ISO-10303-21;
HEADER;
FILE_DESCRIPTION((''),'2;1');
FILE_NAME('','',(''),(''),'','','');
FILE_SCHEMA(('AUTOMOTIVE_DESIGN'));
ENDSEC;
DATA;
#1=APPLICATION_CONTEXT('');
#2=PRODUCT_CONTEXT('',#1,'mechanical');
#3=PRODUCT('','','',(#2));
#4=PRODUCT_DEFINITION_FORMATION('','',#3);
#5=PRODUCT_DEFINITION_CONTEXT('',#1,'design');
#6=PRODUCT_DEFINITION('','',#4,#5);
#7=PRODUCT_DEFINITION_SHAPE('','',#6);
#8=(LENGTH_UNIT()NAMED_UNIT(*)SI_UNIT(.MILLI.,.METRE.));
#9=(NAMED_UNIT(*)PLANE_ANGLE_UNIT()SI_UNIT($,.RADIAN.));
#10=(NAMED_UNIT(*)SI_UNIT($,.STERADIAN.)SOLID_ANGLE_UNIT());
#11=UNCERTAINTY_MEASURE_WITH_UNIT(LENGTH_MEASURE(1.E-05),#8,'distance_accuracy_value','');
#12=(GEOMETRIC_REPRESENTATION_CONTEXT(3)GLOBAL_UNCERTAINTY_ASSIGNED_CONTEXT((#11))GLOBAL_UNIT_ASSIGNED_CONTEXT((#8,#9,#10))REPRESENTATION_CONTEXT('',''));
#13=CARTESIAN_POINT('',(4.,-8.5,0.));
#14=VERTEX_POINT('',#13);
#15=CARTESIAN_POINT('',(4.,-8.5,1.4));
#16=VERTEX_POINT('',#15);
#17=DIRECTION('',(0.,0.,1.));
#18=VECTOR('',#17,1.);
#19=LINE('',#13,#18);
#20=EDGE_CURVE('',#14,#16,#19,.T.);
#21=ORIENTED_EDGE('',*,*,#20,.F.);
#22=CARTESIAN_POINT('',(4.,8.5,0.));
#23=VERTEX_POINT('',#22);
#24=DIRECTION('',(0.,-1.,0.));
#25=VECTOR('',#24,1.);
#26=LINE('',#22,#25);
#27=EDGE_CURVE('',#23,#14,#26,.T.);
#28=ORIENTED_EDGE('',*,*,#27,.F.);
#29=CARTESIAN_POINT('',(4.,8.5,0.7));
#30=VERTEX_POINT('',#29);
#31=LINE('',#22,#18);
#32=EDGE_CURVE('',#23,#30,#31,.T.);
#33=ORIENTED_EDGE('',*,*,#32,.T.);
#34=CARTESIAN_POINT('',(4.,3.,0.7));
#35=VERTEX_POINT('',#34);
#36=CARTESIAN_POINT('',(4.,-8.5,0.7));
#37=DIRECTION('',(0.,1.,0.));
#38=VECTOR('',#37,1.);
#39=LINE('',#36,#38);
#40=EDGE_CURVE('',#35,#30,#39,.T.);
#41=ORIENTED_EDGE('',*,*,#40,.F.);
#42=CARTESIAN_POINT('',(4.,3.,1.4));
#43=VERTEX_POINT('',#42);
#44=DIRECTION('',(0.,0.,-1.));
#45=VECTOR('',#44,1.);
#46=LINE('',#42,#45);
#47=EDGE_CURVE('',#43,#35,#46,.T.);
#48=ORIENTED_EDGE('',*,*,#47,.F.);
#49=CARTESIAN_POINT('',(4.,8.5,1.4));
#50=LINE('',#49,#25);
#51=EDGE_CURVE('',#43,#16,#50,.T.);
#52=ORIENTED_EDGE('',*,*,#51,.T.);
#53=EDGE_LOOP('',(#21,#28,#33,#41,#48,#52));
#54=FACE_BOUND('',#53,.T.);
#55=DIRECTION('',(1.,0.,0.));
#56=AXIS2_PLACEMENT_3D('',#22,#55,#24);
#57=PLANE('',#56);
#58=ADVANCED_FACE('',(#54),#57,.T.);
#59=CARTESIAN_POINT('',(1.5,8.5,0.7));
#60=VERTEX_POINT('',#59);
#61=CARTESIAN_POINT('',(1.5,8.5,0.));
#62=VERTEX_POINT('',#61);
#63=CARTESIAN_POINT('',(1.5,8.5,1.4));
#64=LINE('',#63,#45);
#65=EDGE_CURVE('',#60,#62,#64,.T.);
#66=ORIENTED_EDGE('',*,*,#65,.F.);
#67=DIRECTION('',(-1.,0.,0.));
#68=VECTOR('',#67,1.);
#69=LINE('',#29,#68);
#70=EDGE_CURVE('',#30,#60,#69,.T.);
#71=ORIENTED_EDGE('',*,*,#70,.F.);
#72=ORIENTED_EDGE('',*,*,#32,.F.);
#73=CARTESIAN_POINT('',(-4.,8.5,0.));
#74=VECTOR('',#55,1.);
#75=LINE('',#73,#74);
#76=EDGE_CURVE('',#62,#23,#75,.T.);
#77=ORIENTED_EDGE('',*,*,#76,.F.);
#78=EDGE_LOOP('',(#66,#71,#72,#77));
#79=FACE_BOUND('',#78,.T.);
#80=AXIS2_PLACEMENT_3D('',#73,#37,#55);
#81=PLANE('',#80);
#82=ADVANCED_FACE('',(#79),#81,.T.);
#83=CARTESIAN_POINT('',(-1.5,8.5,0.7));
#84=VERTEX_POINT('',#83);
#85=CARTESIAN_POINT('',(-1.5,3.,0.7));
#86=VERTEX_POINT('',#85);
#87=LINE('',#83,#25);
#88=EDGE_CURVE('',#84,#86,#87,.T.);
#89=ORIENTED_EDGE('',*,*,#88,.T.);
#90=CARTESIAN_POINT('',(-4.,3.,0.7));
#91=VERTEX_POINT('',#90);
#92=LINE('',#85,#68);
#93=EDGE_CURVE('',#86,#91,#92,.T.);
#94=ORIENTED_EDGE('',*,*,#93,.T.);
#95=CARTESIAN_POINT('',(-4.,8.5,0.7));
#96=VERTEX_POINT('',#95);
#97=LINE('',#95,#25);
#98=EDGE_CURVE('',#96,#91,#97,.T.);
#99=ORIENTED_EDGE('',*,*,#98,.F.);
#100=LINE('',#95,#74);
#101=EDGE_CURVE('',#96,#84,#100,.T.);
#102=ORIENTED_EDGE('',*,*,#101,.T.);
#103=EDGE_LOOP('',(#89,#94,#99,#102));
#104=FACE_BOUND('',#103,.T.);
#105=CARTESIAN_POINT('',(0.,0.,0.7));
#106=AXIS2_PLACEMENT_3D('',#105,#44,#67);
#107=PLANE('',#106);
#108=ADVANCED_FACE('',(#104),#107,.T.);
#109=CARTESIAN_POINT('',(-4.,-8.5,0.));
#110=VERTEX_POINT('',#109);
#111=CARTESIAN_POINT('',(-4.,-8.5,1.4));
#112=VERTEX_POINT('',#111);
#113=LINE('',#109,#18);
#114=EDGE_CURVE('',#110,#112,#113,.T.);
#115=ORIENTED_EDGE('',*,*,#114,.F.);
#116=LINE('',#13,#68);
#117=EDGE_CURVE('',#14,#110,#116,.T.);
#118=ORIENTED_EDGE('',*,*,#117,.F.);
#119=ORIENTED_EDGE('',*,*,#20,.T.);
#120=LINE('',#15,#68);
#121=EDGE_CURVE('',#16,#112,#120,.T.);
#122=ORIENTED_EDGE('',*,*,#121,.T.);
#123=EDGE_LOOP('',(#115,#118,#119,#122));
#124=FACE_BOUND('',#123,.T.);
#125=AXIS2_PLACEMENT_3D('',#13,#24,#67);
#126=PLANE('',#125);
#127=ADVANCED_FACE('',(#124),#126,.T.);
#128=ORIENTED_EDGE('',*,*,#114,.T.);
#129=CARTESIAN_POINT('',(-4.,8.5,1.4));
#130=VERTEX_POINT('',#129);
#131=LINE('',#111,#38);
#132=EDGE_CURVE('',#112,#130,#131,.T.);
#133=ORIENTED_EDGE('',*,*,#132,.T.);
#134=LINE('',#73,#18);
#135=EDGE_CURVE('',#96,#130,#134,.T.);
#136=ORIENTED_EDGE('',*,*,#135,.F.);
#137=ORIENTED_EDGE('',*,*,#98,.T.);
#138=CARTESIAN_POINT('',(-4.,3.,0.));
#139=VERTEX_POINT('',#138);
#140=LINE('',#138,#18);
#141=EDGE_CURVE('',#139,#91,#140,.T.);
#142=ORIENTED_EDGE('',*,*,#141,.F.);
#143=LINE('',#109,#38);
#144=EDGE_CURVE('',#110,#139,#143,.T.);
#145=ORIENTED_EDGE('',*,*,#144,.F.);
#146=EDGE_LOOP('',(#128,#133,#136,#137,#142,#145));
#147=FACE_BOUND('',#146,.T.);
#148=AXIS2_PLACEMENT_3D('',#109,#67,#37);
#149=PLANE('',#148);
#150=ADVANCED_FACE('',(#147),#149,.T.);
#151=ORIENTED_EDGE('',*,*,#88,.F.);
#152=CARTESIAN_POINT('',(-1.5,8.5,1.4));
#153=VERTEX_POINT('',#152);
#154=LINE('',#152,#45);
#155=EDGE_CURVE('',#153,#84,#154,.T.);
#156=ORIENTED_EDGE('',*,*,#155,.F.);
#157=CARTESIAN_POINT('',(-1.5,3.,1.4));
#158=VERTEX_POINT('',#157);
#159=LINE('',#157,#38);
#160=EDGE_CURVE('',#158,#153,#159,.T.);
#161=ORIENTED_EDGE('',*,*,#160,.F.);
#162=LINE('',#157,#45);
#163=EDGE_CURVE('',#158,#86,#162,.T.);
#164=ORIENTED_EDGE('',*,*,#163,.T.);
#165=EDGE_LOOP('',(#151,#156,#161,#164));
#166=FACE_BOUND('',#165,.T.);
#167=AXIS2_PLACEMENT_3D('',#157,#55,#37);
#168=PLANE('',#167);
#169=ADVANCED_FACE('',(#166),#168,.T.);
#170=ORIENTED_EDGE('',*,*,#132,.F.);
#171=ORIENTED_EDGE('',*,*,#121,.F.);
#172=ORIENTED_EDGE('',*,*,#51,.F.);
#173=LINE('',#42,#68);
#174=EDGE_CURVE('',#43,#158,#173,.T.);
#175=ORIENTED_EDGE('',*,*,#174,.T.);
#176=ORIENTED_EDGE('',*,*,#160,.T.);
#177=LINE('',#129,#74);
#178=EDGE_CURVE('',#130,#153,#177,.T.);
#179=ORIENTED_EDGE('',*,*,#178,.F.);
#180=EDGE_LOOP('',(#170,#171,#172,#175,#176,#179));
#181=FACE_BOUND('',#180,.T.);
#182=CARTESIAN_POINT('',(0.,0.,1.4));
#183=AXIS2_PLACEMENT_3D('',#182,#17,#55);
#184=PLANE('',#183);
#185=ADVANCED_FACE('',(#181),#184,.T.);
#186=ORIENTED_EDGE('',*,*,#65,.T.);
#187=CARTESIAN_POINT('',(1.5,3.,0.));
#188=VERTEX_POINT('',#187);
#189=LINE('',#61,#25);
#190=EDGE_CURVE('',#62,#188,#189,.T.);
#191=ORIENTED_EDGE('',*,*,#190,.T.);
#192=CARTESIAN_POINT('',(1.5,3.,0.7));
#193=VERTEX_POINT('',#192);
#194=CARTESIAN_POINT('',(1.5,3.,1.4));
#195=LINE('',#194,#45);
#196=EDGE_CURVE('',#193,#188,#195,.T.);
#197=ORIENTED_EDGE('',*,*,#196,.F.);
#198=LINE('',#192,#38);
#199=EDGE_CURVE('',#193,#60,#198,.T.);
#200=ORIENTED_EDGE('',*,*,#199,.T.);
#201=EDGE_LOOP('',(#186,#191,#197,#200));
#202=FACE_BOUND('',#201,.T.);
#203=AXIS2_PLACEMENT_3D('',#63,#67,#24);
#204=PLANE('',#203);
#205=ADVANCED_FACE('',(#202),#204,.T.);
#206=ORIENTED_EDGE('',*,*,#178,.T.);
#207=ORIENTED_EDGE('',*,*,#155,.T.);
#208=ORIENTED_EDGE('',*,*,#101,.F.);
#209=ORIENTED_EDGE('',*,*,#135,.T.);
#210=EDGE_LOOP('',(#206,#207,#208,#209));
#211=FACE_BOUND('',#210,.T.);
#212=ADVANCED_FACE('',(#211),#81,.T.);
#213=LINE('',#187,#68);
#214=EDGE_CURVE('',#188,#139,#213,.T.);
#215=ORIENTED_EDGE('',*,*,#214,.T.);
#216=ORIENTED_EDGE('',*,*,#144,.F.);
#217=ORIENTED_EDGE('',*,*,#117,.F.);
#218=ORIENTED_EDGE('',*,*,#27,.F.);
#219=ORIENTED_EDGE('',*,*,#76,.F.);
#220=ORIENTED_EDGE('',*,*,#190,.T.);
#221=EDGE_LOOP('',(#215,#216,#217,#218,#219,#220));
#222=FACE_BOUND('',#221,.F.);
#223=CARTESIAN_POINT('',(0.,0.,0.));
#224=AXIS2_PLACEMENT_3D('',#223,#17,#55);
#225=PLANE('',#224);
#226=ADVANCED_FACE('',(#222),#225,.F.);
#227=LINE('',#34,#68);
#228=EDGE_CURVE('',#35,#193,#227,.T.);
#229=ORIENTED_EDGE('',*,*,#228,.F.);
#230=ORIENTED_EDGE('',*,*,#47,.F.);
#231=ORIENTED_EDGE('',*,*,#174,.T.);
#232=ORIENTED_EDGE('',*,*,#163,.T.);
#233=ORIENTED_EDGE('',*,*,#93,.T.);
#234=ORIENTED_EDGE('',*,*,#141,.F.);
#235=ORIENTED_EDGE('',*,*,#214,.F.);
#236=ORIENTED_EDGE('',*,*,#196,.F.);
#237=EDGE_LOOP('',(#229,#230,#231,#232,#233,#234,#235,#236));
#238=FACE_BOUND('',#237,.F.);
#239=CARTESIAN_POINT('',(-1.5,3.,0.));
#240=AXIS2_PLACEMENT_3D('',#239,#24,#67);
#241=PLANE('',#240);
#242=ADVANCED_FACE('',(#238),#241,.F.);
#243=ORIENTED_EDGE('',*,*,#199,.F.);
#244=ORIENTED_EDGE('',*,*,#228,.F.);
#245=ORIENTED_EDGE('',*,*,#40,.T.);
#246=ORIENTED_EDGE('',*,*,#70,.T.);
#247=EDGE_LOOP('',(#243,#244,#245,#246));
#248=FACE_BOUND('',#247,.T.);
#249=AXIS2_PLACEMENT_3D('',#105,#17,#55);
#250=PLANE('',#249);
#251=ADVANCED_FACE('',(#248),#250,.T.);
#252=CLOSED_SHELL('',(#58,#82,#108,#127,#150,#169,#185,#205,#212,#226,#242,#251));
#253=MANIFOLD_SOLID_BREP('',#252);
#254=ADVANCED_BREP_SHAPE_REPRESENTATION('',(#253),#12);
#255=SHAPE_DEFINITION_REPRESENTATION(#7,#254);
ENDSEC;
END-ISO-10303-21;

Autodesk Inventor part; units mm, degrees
ref_plane "YZ Plane" through (0, 0, 0) normal (1, 0, 0) x (0, 1, 0)
ref_plane "XZ Plane" through (0, 0, 0) normal (0, 1, 0) x (-1, 0, 0)
ref_plane "XY Plane" through (0, 0, 0) normal (0, 0, 1) x (1, 0, 0)
sketch "Sketch1" plane through (0, 0, 0) normal (0, 0, 1) x (1, 0, 0)
  line L0 (-4, 8.5) -> (4, 8.5)
  line L1 (4, 8.5) -> (4, -8.5)
  line L2 (4, -8.5) -> (-4, -8.5)
  line L3 (-4, -8.5) -> (-4, 8.5)
  line L4 (-4, 8.5) -> (4, -8.5) construction
  line L5 (4, 8.5) -> (-4, -8.5) construction
  point P0 (0, 0)
  dimension "d0" = 8
  dimension "d1" = 17
extrude "Extrusion1" add sketch "Sketch1" along normal blind 1.4
sketch "Sketch2" plane through (0, 0, 1.4) normal (0, 0, 1) x (1, 0, 0)
  line L0 (4, 8.5) -> (-4, 8.5) projected
  line L1 (-1.5, 8.5) -> (1.5, 8.5)
  line L2 (1.5, 8.5) -> (1.5, 3)
  line L3 (1.5, 3) -> (-1.5, 3)
  line L4 (-1.5, 3) -> (-1.5, 8.5)
  line L5 (4, -8.5) -> (4, 8.5) projected
  point P0 (0, 0)
  point P1 (1.5, 8.5)
  dimension "d4" = 3
  dimension "d5" = 5.5
  dimension "d6" = 2.5
extrude "Extrusion2" cut sketch "Sketch2" against normal blind 1.4
sketch "Sketch3" plane through (0, 0, 1.4) normal (0, 0, 1) x (1, 0, 0)
  line L0 (4, 8.5) -> (1.5, 8.5) projected
  line L1 (4, -8.5) -> (4, 8.5) projected
  line L2 (1.5, 8.5) -> (4, 8.5)
  line L3 (4, 8.5) -> (4, 3)
  line L4 (4, 3) -> (1.5, 3)
  line L5 (1.5, 3) -> (1.5, 8.5)
  point P0 (0, 0)
  dimension "d9" = 5.5
extrude "Extrusion3" cut sketch "Sketch3" against normal blind 0.7
sketch "Sketch4" plane through (0, 0, 0) normal (0, 0, -1) x (-1, 0, 0)
  line L0 (1.5, 3) -> (-1.5, 3) projected
  line L1 (4, 8.5) -> (4, -8.5) projected
  line L2 (1.5, 3) -> (4, 3)
  line L3 (4, 3) -> (4, 8.5)
  line L4 (4, 8.5) -> (1.5, 8.5)
  line L5 (1.5, 8.5) -> (1.5, 3)
  point P0 (0, 0)
extrude "Extrusion4" cut sketch "Sketch4" against normal blind 0.7
properties part number "Thermistor"
